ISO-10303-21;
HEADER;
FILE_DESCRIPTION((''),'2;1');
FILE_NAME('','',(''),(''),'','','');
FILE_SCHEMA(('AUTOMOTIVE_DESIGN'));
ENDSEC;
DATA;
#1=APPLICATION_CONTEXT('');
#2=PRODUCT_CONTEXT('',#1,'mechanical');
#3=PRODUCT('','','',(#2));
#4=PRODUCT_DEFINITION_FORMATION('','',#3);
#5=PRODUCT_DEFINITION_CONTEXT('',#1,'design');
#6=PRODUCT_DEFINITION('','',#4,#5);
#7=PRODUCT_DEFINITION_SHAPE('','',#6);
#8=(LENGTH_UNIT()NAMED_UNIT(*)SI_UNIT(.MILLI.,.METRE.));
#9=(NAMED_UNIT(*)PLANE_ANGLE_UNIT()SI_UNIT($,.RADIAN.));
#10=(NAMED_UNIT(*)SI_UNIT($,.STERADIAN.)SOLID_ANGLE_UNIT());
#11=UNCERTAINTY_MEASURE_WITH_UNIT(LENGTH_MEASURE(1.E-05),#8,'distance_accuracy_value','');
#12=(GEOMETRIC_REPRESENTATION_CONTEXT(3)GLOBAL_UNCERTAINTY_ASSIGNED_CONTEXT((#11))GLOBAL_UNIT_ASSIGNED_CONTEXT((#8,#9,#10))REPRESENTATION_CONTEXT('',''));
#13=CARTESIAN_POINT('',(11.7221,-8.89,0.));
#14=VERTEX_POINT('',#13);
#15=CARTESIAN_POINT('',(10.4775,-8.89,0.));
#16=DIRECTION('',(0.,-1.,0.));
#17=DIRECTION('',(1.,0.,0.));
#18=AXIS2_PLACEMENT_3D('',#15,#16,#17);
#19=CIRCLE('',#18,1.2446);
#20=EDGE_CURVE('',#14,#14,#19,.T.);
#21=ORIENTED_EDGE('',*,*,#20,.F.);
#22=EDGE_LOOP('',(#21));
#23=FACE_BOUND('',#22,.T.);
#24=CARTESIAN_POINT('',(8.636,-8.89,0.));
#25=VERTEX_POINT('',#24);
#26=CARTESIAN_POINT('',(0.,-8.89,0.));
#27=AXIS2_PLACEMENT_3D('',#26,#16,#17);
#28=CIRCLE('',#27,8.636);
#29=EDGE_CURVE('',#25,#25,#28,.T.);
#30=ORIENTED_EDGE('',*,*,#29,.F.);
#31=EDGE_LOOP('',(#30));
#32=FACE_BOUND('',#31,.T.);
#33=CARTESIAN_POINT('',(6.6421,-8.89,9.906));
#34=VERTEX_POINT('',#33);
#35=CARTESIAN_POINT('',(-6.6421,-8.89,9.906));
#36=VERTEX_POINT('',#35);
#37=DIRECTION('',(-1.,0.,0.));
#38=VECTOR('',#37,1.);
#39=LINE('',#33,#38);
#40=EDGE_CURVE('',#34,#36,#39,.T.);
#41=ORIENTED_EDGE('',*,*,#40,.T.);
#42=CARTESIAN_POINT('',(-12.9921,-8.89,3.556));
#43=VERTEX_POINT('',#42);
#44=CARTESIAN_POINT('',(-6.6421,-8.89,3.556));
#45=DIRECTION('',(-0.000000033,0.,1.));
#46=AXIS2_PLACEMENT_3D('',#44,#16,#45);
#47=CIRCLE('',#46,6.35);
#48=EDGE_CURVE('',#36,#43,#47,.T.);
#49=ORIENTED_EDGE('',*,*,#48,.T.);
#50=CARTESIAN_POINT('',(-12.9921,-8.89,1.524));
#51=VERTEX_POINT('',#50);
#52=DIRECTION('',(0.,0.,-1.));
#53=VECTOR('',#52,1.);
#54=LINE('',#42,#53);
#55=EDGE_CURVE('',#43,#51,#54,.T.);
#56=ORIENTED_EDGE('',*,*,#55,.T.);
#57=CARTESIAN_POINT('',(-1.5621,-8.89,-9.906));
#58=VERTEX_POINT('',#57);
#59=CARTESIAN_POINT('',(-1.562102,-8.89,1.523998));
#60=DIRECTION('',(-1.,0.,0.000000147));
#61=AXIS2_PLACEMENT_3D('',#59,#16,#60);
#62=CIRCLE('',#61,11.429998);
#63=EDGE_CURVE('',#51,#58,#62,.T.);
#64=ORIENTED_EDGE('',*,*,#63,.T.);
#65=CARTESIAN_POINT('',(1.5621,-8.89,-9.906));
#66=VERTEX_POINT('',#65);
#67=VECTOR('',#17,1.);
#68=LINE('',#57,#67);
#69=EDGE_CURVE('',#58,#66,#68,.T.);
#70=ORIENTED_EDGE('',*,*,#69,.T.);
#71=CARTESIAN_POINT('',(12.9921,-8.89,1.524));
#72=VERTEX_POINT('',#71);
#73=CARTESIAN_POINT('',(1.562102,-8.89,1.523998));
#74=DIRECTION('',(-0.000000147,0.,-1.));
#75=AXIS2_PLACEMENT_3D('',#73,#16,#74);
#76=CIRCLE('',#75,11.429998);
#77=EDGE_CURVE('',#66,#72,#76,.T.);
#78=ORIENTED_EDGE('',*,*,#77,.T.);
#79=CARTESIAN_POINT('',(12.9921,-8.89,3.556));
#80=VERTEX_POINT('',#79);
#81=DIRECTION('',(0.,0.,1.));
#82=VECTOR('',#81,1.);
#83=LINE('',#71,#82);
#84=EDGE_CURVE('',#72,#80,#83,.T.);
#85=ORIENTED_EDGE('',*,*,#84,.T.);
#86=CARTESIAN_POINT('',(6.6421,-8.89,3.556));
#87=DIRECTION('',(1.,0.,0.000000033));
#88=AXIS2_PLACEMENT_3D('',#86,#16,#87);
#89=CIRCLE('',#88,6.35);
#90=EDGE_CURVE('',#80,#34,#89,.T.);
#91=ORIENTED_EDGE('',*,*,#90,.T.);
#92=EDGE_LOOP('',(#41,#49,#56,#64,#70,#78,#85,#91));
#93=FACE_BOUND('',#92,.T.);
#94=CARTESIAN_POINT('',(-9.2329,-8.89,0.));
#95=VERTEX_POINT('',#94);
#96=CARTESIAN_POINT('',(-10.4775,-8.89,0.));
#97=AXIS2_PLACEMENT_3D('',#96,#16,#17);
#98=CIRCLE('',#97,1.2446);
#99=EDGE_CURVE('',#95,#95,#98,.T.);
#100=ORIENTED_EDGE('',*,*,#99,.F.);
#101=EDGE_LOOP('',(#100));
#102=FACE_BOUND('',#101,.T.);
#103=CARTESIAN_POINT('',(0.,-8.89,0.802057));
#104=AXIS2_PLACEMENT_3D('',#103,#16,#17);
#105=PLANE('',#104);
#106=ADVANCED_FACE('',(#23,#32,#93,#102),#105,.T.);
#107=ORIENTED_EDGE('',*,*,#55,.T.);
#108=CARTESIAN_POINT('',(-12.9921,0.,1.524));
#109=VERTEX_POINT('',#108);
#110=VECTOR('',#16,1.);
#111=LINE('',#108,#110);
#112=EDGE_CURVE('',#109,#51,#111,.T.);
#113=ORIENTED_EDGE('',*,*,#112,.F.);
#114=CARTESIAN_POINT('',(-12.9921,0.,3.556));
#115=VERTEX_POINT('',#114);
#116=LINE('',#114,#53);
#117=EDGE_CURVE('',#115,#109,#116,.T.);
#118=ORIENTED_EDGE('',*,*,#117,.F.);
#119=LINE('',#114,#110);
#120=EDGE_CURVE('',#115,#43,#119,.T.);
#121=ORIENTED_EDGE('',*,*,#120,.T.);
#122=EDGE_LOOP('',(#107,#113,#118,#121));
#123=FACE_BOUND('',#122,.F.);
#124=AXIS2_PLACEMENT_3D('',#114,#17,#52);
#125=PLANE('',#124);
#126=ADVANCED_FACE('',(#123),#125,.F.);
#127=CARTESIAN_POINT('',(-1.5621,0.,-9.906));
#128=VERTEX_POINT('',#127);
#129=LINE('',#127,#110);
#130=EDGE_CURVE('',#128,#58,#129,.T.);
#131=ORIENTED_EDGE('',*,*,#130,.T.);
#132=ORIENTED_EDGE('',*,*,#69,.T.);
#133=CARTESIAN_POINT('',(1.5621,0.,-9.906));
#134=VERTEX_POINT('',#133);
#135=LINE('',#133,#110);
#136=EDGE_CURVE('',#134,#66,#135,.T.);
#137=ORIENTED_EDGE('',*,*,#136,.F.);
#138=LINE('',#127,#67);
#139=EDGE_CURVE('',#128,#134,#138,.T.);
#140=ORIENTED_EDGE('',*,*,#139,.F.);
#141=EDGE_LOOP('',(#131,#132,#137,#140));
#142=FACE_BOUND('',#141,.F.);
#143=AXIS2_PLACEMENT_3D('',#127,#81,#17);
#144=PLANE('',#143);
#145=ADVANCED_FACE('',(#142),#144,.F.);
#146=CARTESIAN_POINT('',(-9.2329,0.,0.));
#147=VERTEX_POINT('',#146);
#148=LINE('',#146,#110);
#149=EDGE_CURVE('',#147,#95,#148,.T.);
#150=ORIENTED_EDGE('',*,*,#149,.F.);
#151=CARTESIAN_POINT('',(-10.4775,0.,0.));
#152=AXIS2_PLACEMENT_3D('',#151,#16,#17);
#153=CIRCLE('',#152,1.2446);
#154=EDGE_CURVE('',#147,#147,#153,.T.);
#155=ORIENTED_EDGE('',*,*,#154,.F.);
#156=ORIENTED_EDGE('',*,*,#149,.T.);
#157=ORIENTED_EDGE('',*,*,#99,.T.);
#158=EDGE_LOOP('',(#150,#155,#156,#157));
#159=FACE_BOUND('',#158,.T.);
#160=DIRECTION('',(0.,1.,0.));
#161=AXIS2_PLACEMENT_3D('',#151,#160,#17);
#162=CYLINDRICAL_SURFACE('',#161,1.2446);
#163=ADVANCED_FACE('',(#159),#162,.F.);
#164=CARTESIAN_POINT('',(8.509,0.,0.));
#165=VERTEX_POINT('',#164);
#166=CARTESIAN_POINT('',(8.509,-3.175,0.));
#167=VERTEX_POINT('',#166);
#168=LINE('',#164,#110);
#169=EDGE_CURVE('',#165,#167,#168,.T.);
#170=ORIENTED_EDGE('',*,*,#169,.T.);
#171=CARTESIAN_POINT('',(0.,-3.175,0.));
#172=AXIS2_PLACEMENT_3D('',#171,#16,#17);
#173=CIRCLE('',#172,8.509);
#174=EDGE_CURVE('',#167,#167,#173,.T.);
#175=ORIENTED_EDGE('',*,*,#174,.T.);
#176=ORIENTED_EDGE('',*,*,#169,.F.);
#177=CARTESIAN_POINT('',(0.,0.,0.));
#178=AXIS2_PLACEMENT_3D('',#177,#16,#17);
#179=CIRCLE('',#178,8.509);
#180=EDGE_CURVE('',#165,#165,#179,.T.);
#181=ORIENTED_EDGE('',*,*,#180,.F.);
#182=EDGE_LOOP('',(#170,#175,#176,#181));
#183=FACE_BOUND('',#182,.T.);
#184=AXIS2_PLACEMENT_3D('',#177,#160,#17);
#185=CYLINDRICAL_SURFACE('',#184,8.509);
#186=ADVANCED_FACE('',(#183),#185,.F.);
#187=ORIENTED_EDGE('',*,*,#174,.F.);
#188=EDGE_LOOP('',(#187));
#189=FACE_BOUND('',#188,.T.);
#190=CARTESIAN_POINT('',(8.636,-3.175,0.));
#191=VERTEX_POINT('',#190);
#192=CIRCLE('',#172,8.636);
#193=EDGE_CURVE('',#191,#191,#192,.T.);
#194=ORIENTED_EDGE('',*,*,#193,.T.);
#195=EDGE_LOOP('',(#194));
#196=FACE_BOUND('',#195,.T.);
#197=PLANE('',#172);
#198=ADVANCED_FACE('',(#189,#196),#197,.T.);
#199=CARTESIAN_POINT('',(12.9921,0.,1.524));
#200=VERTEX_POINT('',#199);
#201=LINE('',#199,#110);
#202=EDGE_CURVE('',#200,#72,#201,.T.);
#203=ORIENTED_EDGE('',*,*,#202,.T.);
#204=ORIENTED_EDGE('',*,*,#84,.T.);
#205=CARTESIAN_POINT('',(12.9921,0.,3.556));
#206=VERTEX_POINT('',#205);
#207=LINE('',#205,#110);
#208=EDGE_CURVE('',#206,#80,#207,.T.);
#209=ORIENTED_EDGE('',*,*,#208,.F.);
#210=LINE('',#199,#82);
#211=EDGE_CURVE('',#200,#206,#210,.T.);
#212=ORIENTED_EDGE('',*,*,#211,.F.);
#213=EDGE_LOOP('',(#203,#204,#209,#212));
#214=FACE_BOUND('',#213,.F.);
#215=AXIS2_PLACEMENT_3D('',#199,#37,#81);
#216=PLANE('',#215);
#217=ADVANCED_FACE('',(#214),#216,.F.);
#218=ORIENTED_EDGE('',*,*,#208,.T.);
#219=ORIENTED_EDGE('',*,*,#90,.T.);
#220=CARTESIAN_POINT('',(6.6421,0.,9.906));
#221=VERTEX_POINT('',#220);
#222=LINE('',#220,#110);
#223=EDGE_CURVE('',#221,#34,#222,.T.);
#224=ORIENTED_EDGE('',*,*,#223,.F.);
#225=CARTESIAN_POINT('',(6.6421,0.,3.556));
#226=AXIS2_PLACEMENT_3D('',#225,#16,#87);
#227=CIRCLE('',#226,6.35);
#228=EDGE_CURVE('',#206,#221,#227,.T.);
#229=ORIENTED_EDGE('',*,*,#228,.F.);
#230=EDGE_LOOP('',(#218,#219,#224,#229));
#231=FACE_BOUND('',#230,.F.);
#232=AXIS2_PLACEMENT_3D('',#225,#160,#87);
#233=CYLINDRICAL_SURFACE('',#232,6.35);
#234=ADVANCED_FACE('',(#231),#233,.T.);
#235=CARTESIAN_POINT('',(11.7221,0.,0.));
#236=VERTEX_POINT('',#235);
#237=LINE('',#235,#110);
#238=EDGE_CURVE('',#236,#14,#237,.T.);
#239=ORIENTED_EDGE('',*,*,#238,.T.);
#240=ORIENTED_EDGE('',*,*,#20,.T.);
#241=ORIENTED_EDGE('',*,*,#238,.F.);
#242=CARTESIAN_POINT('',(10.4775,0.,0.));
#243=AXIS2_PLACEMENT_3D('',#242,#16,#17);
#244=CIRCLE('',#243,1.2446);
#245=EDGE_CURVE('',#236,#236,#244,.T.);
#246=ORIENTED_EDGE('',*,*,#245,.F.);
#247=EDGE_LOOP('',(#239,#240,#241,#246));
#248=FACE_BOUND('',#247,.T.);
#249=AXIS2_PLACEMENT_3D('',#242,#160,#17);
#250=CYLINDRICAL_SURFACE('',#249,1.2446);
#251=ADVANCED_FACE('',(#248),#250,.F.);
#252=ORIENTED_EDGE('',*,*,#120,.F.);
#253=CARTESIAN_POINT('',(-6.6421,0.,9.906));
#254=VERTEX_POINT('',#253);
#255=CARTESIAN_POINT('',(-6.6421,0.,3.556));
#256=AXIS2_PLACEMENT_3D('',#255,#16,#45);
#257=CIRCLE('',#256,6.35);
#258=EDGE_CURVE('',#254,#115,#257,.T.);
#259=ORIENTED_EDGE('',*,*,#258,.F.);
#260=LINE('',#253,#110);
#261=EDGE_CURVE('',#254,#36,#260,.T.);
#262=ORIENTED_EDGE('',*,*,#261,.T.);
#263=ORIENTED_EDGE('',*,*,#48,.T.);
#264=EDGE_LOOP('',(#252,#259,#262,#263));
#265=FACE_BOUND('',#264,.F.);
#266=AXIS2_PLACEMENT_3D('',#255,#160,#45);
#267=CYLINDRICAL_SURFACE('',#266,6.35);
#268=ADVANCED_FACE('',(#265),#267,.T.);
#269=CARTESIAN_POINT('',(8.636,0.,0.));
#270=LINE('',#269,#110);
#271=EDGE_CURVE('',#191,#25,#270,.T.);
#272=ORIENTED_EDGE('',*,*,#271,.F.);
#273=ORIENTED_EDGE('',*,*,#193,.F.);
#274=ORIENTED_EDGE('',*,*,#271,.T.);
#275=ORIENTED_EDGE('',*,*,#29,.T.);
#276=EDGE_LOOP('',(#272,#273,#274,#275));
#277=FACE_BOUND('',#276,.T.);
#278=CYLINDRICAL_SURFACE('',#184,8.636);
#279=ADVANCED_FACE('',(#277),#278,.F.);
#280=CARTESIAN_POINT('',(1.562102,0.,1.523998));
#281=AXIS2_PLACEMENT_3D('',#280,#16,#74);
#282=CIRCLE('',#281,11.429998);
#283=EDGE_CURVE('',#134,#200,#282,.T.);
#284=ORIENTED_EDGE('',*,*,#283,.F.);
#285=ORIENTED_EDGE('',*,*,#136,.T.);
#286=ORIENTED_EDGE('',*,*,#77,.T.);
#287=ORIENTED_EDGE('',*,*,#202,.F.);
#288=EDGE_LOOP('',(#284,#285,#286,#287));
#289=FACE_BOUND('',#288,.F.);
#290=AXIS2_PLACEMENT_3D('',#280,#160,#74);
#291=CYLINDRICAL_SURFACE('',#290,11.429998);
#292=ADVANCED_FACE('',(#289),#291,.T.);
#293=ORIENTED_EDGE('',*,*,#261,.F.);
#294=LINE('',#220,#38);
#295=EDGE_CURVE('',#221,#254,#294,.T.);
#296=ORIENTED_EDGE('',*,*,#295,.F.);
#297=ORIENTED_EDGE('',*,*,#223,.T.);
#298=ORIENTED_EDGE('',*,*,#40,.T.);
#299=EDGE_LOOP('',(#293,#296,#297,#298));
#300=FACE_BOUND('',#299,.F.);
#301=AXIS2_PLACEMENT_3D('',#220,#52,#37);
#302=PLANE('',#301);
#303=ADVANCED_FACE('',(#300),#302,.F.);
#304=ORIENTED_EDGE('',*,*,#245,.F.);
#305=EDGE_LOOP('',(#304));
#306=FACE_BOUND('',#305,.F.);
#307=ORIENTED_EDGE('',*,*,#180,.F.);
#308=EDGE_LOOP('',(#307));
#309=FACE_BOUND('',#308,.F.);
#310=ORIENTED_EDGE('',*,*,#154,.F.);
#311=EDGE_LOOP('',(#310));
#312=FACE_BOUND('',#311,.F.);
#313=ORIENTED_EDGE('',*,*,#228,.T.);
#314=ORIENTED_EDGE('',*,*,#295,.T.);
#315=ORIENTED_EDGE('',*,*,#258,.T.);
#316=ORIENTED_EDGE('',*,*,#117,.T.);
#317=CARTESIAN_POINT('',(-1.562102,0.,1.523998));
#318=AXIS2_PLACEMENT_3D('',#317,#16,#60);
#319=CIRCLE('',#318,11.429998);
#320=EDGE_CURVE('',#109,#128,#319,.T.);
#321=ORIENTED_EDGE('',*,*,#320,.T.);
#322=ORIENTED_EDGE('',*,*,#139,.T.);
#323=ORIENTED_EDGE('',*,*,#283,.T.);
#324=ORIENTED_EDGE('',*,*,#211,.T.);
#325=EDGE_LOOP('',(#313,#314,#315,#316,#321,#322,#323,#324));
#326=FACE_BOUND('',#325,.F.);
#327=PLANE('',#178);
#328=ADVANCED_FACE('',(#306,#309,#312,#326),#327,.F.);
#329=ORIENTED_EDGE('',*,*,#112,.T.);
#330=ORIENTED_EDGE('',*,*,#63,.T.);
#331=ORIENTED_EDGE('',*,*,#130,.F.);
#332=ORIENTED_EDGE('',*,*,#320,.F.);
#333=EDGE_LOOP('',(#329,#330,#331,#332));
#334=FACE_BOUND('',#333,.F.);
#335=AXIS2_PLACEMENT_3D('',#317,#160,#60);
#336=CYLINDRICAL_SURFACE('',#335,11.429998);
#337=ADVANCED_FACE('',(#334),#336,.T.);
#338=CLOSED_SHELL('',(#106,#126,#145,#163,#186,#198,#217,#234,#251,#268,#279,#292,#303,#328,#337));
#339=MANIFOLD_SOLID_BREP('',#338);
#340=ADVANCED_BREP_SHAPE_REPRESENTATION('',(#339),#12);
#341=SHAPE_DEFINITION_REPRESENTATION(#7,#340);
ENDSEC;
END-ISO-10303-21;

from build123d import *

# Parameters (mm, degrees)
F0_R     = 1.2446
F0_R_2   = 8.636
F1_DEPTH = 8.89
F0_R_3   = 8.509
F2_DEPTH = 3.175


with BuildPart() as f1:
    # F0 (on Front) → F1 (new body)
    with BuildSketch(Plane.XZ):
        with BuildLine():
            Line((6.6421, 9.906), (-6.6421, 9.906))
            ThreePointArc((-6.6421, 9.906), (-11.132228, 8.046128), (-12.9921, 3.556))
            Line((-12.9921, 3.556), (-12.9921, 1.524))
            ThreePointArc((-12.9921, 1.524), (-9.644331, -6.558231), (-1.5621, -9.906))
            Line((-1.5621, -9.906), (1.5621, -9.906))
            ThreePointArc((1.5621, -9.906), (9.644331, -6.558231), (12.9921, 1.524))
            Line((12.9921, 1.524), (12.9921, 3.556))
            ThreePointArc((12.9921, 3.556), (11.132228, 8.046128), (6.6421, 9.906))
        make_face()
        with Locations((-10.4775, 0)):
            Circle(F0_R, mode=Mode.SUBTRACT)
        Circle(F0_R_2, mode=Mode.SUBTRACT)
        with Locations((10.4775, 0)):
            Circle(F0_R, mode=Mode.SUBTRACT)
    extrude(amount=F1_DEPTH)

    # F0 (on Front) → F2 (join)
    with BuildSketch(Plane.XZ):
        Circle(F0_R_2)
        Circle(F0_R_3, mode=Mode.SUBTRACT)
    extrude(amount=F2_DEPTH)


solid = f1.part
